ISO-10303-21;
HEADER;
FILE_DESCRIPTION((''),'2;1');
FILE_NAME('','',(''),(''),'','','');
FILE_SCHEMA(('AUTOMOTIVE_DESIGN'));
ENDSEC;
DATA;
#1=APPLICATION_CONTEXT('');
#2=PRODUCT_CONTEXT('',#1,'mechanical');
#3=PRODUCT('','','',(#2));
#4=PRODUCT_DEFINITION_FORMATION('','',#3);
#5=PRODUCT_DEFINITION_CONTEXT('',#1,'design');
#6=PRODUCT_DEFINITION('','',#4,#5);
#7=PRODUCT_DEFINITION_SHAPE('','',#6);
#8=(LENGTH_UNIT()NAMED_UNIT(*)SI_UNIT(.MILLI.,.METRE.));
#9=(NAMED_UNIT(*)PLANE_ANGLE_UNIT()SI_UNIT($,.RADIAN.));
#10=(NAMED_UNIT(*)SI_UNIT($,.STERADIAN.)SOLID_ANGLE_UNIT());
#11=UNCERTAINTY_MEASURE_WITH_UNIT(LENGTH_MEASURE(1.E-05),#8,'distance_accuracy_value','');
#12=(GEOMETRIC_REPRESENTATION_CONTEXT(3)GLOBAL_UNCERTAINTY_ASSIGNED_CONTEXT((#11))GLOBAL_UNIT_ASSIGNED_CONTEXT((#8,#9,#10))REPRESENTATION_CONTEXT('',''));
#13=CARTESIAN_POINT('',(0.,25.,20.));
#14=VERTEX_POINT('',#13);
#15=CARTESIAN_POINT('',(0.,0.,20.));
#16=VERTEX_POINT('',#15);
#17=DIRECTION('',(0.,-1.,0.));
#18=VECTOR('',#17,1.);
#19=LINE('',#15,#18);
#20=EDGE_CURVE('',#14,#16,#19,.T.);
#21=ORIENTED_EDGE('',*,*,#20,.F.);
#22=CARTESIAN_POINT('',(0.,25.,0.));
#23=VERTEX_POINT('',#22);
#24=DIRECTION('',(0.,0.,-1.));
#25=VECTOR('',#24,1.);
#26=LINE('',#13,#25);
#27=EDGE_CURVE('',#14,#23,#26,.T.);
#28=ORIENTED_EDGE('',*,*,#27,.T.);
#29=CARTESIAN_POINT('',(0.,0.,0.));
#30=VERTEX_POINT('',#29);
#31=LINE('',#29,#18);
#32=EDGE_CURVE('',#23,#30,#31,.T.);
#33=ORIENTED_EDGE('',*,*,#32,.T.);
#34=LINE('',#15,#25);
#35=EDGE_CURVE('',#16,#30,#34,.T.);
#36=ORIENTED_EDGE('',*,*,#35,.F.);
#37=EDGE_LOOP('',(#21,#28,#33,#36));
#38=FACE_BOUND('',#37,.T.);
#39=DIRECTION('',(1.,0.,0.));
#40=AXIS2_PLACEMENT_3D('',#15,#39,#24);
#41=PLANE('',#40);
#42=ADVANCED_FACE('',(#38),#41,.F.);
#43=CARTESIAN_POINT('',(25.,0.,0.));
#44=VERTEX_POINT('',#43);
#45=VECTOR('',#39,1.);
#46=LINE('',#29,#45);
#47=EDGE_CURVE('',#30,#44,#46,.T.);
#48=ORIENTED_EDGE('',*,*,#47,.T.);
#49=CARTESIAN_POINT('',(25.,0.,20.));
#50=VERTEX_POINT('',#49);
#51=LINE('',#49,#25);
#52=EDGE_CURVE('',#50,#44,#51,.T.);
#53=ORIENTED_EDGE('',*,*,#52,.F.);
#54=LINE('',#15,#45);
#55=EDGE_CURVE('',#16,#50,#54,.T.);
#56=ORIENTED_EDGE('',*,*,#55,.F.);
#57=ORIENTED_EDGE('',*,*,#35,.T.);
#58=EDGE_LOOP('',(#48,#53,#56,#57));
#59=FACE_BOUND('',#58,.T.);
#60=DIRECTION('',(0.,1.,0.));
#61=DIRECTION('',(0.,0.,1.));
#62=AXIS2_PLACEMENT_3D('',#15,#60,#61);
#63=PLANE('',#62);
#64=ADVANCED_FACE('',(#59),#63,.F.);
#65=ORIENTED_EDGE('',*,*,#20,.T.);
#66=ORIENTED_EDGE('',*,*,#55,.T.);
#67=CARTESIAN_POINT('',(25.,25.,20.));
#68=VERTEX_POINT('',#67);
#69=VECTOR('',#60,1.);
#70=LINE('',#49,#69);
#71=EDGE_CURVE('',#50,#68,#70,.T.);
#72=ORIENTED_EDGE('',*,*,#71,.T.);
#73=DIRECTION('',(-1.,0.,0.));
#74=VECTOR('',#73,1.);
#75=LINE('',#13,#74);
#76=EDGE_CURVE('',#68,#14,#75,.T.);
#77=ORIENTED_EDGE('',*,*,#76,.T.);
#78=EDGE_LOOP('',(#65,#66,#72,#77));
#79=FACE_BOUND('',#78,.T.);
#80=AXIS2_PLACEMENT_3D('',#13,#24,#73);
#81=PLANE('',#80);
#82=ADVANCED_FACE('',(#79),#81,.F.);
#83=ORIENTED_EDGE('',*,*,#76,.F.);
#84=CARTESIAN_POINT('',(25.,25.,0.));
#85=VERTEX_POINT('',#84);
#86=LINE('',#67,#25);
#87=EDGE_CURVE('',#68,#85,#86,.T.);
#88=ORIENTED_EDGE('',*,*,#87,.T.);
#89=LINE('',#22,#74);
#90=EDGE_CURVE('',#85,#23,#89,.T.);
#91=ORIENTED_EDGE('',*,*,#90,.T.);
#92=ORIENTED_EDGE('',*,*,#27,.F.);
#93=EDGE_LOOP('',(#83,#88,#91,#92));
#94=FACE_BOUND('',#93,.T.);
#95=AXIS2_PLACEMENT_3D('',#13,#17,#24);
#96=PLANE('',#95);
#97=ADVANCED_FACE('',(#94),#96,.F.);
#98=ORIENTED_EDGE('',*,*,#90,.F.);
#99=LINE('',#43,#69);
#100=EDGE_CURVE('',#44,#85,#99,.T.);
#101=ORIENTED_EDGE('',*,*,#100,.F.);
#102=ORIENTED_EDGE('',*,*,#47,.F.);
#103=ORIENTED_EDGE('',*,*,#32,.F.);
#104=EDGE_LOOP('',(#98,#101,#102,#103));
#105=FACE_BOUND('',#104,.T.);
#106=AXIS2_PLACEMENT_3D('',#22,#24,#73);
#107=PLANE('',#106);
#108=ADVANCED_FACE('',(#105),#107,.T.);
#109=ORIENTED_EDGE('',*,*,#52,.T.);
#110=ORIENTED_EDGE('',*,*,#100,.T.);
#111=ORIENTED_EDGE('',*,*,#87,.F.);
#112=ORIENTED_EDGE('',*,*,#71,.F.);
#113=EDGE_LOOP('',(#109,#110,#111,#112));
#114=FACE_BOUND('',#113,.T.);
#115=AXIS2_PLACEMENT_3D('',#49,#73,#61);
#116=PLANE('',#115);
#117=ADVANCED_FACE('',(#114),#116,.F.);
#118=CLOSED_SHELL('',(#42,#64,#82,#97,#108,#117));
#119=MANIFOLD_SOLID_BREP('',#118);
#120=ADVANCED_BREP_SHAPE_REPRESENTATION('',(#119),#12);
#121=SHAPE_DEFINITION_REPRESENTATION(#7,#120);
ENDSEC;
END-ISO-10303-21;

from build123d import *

# Parameters (mm, degrees)
SKETCH1_W           = 25
SKETCH1_H           = 25
BOSS_EXTRUDE1_DEPTH = 20


with BuildPart() as part:
    # Sketch1 → Boss-Extrude1 (new body)
    with BuildSketch(Plane.XY):
        with Locations((12.5, 12.5)):
            Rectangle(SKETCH1_W, SKETCH1_H)
    extrude(amount=BOSS_EXTRUDE1_DEPTH)


solid = part.part
